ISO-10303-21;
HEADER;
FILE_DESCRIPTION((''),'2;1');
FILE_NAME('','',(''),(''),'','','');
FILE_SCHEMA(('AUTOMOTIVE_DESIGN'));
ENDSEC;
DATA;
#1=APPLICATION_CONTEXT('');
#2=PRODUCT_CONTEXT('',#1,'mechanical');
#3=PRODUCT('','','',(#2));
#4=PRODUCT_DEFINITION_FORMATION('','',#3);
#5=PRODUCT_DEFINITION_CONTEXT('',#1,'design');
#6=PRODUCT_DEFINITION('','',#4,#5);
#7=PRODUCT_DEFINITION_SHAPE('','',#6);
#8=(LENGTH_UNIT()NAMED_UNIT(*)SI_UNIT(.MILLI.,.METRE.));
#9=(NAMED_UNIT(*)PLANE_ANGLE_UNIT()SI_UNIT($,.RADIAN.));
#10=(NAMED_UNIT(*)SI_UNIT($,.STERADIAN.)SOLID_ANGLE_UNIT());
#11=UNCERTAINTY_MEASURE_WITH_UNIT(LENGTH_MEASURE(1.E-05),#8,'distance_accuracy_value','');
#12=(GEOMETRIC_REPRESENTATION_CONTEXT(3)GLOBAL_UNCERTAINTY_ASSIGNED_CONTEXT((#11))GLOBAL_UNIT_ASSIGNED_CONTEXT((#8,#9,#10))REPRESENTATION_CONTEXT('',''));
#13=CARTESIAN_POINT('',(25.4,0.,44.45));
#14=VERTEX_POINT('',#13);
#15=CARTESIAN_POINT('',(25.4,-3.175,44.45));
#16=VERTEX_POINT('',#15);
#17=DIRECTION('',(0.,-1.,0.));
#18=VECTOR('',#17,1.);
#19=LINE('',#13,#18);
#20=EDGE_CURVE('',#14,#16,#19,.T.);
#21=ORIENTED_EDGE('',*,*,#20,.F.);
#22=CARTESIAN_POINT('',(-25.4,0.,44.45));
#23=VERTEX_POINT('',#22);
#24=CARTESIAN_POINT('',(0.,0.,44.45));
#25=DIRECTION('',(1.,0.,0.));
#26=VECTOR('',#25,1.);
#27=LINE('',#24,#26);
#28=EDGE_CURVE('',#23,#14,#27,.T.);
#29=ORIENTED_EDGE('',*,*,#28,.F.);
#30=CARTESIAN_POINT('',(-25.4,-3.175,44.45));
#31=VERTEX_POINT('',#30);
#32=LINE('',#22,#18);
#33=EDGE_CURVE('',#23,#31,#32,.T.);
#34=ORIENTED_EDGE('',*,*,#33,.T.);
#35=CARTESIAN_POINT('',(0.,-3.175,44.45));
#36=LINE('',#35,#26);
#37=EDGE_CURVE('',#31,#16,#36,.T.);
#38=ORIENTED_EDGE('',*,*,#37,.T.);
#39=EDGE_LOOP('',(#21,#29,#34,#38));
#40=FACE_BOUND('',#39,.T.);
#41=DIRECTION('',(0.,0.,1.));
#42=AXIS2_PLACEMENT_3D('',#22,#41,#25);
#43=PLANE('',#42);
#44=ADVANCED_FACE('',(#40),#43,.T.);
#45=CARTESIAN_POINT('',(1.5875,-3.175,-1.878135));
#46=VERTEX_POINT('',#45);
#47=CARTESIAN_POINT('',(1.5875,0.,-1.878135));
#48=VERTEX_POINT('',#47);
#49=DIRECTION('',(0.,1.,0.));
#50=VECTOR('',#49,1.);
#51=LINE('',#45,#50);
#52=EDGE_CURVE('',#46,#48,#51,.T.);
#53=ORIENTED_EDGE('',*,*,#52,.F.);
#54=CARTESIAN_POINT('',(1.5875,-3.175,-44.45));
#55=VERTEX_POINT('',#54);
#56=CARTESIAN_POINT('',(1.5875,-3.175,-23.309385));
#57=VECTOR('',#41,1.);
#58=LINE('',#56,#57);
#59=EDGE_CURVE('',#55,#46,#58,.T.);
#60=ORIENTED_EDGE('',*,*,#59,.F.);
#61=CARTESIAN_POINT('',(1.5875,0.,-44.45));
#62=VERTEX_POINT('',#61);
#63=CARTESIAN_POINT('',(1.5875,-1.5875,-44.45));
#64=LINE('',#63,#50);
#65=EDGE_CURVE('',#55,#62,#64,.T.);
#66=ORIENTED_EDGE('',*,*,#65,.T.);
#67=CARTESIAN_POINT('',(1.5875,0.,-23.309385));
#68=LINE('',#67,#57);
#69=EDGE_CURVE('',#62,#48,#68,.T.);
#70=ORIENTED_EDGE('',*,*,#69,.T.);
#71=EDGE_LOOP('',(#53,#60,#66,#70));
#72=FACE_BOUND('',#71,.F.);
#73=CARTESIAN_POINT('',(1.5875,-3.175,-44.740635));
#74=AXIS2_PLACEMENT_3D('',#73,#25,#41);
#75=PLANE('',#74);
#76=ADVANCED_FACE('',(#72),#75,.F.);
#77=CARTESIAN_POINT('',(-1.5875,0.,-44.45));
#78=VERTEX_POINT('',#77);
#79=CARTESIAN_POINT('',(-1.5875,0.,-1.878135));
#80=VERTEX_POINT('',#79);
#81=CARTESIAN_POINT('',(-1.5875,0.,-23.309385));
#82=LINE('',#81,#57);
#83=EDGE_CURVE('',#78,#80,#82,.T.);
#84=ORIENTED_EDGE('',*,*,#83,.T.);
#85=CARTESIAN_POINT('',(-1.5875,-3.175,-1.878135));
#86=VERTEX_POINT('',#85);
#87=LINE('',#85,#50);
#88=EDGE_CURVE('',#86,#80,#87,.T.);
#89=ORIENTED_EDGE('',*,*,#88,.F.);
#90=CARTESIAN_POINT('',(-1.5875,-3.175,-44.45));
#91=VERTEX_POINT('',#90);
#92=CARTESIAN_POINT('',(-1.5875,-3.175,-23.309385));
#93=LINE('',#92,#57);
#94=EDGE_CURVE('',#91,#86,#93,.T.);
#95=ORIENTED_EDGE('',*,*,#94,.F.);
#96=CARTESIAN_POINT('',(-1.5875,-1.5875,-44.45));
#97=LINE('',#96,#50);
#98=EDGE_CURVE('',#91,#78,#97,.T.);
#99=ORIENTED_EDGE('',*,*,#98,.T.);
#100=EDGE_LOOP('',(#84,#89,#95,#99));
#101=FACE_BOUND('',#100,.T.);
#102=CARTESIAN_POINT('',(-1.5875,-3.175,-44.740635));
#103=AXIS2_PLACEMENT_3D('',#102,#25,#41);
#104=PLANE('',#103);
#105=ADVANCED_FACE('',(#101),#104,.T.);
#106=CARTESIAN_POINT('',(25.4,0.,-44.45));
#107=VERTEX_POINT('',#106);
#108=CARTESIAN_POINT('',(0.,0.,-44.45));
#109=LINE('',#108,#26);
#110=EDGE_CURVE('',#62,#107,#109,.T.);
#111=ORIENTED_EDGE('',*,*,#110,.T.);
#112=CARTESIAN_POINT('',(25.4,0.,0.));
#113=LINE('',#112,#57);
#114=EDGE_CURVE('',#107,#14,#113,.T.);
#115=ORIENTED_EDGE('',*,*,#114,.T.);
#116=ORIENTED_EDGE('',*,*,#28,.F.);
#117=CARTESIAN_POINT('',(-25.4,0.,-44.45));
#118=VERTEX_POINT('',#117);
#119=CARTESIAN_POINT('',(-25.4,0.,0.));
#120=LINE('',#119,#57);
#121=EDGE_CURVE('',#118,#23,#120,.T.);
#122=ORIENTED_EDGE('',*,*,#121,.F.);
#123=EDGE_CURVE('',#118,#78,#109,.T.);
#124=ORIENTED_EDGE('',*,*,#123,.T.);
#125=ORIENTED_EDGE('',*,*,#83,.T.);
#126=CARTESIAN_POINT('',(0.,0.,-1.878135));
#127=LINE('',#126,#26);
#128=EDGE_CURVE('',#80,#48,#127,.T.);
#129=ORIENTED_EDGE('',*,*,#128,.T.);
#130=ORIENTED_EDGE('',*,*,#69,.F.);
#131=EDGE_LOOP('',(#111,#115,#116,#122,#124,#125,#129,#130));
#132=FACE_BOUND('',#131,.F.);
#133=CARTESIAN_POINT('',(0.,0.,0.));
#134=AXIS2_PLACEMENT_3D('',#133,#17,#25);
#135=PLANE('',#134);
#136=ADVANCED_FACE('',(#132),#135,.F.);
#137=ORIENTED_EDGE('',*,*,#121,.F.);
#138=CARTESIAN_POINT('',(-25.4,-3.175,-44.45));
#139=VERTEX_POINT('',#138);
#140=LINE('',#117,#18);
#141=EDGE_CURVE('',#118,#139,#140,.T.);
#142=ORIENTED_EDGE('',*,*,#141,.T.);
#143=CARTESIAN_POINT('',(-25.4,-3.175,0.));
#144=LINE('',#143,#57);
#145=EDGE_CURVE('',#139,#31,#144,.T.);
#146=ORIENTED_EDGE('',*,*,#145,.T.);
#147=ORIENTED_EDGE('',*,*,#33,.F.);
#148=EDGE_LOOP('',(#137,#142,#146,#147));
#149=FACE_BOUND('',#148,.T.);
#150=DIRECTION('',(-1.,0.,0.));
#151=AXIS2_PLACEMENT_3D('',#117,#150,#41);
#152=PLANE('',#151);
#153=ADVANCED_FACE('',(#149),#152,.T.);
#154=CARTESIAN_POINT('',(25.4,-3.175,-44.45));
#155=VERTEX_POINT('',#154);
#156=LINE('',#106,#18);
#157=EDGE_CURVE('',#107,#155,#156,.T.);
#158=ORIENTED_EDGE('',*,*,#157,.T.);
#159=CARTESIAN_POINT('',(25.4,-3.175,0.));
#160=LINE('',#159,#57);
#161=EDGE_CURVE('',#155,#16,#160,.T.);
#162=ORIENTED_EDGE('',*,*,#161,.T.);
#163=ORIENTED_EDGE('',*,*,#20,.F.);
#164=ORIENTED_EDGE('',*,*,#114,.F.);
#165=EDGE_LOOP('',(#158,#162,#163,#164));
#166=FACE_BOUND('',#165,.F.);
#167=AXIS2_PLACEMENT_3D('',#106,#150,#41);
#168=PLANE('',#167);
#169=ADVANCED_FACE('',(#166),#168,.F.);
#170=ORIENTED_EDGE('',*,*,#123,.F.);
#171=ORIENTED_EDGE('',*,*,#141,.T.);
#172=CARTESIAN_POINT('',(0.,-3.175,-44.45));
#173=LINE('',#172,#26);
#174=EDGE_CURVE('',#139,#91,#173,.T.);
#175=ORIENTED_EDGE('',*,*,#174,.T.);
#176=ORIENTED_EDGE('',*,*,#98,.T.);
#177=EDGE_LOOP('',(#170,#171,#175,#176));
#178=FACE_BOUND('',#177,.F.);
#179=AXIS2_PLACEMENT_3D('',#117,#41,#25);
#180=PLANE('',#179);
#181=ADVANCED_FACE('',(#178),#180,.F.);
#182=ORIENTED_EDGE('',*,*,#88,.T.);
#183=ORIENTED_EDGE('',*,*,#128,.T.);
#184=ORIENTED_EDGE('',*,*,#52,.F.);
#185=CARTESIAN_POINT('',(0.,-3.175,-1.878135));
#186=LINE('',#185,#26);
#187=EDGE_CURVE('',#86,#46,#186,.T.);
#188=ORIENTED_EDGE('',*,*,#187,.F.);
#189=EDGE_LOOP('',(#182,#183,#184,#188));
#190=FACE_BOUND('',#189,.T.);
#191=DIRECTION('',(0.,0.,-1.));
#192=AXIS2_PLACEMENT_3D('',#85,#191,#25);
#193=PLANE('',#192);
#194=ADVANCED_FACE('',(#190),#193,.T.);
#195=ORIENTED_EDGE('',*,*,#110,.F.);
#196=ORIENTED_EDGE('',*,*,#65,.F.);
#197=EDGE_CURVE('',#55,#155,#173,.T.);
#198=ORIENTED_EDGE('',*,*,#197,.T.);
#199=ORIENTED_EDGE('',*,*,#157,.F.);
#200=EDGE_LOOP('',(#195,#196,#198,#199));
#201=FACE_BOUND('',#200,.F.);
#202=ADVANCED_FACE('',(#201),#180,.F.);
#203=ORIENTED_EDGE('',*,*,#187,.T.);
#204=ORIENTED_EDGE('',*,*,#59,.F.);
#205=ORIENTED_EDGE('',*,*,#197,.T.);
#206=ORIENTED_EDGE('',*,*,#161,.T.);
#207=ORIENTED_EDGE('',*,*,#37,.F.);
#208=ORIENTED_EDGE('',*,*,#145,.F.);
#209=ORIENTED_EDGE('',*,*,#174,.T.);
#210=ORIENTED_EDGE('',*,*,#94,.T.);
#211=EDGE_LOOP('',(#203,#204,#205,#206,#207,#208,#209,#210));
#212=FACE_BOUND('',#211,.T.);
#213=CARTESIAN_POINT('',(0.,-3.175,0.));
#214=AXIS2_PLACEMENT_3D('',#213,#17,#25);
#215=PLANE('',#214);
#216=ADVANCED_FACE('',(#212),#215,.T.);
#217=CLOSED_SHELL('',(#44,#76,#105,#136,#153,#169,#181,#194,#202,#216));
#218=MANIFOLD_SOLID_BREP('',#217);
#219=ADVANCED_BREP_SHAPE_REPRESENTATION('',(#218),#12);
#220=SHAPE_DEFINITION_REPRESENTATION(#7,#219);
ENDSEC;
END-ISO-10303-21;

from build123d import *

# Parameters (mm, degrees)
F0_W     = 50.8
F0_H     = 88.9
F1_DEPTH = 3.175
F2_W     = 3.175
F2_H     = 42.8625
F3_DEPTH = 3.175
F4_DEPTH = 3.175


with BuildPart() as f1:
    # F0 (on Front) → F1 (new body)
    with BuildSketch(Plane.XZ):
        Rectangle(F0_W, F0_H)
    extrude(amount=F1_DEPTH)

    # F2 (on face) → F3 (cut)
    with BuildSketch(Plane.XZ.offset(3.175)):
        with Locations((0, -23.309385)):
            Rectangle(F2_W, F2_H)
    extrude(amount=-F3_DEPTH, mode=Mode.SUBTRACT)

    # F2 (on face) → F4 (cut)
    with BuildSketch(Plane.XZ.offset(3.175)):
        with Locations((0, -23.309385)):
            Rectangle(F2_W, F2_H)
    extrude(amount=-F4_DEPTH, mode=Mode.SUBTRACT)


solid = f1.part
